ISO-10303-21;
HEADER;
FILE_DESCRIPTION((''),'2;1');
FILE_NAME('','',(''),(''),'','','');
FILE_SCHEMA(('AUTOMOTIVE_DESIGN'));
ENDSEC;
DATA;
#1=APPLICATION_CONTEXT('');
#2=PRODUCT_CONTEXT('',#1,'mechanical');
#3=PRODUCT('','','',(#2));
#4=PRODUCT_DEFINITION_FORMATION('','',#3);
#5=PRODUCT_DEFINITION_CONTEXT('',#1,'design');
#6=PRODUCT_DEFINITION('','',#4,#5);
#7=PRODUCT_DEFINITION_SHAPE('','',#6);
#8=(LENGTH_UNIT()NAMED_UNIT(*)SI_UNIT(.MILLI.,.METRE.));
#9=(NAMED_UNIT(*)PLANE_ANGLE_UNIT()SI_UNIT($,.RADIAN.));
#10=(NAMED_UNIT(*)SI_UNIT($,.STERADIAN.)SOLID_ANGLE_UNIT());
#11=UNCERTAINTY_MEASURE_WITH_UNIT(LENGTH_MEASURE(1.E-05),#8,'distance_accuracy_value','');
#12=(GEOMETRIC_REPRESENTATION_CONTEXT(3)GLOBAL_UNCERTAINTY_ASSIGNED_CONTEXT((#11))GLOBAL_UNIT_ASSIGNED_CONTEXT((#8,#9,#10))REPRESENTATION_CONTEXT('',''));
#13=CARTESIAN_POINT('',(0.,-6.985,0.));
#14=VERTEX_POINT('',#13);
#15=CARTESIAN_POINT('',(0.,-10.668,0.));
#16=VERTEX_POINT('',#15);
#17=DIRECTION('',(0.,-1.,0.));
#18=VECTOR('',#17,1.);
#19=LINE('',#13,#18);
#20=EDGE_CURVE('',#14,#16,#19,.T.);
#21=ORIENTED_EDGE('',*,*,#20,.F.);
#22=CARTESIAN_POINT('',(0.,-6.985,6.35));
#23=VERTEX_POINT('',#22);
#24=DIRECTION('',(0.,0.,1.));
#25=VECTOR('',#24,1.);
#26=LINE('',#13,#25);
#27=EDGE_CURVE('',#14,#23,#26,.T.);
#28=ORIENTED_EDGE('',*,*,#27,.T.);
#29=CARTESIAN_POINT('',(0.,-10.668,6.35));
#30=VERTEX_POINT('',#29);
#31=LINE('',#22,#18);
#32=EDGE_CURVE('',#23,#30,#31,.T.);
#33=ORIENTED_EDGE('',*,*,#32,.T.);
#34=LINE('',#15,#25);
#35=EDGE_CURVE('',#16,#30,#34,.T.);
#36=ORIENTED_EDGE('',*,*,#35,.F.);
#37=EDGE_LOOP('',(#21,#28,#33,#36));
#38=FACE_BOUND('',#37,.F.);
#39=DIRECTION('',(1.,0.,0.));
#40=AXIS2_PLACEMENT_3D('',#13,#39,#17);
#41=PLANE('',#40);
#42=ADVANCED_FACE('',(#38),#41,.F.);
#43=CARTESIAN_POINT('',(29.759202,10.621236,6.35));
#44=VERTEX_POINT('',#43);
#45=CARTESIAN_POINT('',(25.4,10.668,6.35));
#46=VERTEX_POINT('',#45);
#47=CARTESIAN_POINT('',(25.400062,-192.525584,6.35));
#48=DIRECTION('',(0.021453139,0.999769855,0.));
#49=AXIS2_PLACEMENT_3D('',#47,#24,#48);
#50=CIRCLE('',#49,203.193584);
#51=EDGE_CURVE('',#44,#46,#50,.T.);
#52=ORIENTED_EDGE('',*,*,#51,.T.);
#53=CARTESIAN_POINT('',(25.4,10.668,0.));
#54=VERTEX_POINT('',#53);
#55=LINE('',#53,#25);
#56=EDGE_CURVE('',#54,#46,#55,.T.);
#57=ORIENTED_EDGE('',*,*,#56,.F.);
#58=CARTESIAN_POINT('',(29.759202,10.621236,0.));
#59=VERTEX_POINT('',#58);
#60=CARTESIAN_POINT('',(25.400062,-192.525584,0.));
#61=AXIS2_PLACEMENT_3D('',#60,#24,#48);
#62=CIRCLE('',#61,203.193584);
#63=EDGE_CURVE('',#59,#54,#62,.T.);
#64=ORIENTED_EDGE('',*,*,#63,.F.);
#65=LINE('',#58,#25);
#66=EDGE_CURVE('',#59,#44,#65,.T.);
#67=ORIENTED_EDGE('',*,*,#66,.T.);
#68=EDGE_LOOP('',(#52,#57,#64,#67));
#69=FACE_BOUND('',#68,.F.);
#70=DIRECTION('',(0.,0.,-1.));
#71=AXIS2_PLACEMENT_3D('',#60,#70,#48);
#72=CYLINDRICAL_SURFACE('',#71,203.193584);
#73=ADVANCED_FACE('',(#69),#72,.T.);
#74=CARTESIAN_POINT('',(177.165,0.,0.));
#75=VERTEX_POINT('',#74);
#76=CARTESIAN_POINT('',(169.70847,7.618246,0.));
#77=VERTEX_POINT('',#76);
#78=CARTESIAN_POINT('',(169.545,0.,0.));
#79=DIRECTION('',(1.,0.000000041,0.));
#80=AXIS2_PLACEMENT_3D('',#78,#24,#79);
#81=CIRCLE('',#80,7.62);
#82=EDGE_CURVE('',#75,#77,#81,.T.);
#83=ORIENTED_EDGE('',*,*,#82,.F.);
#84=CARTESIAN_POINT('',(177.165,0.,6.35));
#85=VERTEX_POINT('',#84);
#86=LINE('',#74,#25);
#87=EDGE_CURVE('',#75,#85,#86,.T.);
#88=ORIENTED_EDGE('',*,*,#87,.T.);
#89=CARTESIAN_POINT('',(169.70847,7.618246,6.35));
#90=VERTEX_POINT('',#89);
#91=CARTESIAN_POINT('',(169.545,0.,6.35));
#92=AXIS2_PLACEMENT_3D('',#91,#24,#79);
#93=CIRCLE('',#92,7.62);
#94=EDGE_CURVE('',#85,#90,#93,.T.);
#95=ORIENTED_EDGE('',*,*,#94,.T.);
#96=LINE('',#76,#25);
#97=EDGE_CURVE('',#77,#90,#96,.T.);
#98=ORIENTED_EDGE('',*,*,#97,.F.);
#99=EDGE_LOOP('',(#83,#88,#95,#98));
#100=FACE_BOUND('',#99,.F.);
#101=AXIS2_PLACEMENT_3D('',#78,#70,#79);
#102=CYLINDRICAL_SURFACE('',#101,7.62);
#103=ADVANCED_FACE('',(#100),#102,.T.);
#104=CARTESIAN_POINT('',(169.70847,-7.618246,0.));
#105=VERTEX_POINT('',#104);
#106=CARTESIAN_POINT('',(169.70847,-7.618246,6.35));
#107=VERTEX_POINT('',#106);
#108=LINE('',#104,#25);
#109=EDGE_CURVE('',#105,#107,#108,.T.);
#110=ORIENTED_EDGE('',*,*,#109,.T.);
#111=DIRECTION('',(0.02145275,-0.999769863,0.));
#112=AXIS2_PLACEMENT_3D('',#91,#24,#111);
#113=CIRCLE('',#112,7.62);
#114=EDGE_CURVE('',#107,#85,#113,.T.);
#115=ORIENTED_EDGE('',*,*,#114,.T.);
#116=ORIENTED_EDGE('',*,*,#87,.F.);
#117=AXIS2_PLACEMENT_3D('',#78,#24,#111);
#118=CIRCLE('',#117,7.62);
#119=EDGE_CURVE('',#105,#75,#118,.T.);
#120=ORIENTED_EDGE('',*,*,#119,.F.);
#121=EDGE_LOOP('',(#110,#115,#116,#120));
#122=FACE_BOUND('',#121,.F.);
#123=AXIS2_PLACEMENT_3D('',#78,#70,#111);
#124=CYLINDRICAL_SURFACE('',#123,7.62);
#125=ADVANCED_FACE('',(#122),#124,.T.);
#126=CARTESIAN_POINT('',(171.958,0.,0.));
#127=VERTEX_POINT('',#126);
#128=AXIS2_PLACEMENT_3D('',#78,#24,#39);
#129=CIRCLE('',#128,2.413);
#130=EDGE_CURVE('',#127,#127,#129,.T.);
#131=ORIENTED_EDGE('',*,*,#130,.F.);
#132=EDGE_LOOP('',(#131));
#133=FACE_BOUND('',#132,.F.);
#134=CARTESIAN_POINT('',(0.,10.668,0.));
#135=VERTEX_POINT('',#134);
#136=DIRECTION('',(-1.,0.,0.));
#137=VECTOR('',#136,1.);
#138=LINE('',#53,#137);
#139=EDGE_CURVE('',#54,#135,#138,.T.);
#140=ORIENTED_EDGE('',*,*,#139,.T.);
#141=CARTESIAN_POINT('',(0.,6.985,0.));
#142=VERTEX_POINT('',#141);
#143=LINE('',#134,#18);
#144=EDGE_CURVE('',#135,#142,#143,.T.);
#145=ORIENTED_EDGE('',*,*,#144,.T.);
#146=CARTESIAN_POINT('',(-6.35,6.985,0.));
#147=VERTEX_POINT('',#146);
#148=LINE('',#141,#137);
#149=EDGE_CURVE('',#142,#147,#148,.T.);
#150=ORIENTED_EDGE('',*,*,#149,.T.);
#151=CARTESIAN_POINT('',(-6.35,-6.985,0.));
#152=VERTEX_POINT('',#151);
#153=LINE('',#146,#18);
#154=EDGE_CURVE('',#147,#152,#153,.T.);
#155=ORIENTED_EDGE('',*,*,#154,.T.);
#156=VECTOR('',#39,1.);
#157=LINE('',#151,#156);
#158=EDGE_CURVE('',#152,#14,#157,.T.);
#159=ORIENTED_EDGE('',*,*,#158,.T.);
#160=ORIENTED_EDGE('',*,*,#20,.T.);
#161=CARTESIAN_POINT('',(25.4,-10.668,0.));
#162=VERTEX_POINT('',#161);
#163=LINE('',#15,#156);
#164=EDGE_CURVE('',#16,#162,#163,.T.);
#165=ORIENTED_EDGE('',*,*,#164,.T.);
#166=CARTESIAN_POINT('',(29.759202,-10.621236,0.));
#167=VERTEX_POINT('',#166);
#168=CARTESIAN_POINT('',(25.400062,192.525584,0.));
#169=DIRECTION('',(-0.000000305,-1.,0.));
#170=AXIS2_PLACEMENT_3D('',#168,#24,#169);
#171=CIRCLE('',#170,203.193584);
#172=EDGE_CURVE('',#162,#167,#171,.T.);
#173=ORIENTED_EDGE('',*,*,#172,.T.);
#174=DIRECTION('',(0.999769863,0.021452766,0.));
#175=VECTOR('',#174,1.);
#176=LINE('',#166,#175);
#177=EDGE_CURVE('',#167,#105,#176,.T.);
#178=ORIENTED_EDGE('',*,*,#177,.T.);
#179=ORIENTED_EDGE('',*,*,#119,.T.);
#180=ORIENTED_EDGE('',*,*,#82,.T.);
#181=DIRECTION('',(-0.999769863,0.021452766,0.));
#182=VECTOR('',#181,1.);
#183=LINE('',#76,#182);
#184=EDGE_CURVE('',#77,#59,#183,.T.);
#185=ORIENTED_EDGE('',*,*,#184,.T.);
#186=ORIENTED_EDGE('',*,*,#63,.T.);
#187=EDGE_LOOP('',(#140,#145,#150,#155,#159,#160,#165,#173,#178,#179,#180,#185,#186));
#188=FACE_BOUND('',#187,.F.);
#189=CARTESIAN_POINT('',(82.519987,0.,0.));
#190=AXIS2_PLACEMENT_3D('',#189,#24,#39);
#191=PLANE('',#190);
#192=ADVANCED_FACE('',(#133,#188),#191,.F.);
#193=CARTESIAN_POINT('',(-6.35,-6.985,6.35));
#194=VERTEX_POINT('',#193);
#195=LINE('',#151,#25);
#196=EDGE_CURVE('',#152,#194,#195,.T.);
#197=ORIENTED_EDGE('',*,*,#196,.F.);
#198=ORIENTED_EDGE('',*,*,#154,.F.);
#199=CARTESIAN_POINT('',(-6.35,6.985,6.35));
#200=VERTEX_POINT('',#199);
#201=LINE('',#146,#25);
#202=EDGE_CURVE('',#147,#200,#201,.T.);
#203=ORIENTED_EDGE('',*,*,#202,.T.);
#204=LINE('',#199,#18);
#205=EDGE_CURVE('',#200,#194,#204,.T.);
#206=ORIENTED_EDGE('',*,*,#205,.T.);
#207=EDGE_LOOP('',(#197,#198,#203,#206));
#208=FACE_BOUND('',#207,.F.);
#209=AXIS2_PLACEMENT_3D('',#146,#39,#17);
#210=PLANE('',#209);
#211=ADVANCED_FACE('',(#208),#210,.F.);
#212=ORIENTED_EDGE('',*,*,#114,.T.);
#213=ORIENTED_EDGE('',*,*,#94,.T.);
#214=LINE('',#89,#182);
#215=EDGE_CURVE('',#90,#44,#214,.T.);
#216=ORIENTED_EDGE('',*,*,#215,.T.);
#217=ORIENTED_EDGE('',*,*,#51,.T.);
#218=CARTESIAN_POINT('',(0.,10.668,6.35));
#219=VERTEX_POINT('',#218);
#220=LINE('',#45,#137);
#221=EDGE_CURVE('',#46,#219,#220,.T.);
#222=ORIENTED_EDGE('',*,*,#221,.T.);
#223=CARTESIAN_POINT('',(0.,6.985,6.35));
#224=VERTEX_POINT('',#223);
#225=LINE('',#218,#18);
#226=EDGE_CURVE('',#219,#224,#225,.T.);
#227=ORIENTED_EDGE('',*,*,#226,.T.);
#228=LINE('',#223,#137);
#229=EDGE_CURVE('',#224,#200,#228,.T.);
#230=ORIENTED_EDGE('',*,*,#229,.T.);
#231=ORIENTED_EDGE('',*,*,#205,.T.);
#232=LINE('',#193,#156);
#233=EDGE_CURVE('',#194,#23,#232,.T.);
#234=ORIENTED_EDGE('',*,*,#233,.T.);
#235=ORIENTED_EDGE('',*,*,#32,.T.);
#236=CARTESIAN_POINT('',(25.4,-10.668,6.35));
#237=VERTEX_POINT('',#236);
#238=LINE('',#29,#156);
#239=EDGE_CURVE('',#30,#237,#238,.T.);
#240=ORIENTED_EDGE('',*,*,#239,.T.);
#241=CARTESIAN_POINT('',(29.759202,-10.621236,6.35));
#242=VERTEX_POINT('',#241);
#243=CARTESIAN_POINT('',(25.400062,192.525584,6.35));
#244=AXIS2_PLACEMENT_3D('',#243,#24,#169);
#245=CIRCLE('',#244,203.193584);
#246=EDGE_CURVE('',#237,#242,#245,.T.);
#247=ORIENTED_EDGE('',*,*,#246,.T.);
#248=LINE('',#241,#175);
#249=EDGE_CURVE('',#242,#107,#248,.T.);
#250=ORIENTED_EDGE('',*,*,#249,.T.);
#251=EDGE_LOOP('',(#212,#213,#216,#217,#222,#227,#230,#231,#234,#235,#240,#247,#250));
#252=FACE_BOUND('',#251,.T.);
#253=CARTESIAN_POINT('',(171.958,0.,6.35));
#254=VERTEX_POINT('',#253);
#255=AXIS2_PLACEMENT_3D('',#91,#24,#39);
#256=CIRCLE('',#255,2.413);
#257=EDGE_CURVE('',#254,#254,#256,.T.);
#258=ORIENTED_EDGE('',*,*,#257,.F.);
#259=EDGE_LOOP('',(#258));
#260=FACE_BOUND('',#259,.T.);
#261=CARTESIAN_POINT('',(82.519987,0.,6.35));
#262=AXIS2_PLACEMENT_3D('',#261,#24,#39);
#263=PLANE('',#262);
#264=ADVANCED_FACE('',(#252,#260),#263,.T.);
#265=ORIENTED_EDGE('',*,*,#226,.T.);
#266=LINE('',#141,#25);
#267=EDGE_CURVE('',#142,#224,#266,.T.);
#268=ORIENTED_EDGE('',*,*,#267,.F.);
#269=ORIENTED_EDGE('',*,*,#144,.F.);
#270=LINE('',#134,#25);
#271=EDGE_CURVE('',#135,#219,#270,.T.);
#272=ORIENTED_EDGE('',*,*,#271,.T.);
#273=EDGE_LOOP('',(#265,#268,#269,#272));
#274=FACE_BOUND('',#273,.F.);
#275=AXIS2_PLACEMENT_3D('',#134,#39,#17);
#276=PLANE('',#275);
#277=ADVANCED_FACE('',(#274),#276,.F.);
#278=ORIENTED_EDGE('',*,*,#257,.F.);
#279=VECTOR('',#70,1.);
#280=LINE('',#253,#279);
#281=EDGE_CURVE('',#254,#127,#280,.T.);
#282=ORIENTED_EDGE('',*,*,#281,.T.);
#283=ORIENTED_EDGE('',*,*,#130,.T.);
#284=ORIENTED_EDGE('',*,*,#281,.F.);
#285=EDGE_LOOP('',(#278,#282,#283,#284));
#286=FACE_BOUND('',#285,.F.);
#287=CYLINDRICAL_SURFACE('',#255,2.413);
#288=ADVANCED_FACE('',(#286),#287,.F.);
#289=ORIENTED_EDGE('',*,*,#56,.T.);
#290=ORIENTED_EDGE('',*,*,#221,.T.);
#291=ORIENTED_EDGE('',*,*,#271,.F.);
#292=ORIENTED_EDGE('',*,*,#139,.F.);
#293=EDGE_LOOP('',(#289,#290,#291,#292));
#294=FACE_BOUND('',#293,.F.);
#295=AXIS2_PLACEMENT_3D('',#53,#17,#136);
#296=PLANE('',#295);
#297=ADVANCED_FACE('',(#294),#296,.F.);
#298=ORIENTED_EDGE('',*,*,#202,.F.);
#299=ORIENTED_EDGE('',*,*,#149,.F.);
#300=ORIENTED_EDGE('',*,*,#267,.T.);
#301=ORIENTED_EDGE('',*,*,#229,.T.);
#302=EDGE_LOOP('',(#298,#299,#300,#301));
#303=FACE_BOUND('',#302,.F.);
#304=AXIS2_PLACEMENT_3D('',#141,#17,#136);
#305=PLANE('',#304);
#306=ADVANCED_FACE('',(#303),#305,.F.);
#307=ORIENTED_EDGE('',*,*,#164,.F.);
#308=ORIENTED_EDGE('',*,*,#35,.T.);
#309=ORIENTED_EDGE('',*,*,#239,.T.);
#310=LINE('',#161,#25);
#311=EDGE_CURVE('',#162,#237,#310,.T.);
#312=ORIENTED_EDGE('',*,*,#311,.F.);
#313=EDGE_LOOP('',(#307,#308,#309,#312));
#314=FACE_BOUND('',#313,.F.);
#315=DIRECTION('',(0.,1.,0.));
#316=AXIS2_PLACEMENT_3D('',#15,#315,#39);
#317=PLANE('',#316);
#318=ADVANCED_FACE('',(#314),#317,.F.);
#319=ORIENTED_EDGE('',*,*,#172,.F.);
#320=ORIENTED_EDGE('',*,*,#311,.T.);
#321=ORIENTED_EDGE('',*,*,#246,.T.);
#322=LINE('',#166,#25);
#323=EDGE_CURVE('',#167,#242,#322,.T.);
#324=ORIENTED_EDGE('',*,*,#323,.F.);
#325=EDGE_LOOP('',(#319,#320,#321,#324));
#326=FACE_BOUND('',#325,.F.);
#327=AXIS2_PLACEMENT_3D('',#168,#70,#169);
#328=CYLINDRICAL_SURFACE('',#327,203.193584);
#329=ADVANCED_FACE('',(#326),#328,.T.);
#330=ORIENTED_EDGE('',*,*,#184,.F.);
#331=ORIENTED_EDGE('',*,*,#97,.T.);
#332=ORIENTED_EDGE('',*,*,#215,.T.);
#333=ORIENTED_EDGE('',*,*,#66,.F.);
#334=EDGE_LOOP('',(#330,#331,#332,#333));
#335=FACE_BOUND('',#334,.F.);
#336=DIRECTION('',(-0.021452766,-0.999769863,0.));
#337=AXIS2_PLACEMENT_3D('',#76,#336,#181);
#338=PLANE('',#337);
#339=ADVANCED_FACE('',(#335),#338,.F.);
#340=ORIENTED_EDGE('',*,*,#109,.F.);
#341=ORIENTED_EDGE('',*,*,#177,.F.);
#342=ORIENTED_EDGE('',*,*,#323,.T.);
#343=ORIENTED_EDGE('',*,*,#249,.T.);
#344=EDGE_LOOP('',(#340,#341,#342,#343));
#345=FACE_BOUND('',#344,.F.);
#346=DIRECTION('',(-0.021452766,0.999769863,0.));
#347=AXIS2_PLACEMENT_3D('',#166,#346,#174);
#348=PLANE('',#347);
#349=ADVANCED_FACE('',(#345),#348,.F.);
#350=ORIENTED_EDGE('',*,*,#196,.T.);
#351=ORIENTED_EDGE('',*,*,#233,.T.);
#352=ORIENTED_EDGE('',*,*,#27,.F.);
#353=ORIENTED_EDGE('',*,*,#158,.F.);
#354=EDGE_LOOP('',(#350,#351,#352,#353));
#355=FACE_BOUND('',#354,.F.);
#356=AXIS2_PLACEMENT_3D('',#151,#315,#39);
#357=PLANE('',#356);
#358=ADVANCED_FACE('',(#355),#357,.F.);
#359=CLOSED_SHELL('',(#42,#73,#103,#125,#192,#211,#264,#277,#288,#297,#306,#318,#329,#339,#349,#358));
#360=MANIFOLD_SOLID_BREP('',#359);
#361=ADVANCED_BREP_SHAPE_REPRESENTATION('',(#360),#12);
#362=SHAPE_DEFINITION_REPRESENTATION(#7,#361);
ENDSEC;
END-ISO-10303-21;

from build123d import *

# Parameters (mm, degrees)
F1_DEPTH = 6.35
F2_R     = 2.413
F3_DEPTH = 6.351


with BuildPart() as f1:
    # F0 (on Top) → F1 (new body)
    with BuildSketch(Plane.XY):
        with BuildLine():
            Line((-6.35, 6.985), (-6.35, 0))
            Line((-6.35, 0), (-6.35, -6.985))
            Line((-6.35, -6.985), (0, -6.985))
            Line((0, -6.985), (0, -10.668))
            Line((0, -10.668), (25.4, -10.668))
            ThreePointArc((25.4, -10.668), (27.579726, -10.656309), (29.759202, -10.621236))
            Line((29.759202, -10.621236), (169.70847, -7.618246))
            ThreePointArc((169.70847, -7.618246), (174.990642, -5.330045), (177.165, 0))
            ThreePointArc((177.165, 0), (174.990642, 5.330045), (169.70847, 7.618246))
            Line((169.70847, 7.618246), (29.759202, 10.621236))
            ThreePointArc((29.759202, 10.621236), (27.579726, 10.656309), (25.4, 10.668))
            Line((25.4, 10.668), (0, 10.668))
            Line((0, 10.668), (0, 6.985))
            Line((0, 6.985), (-6.35, 6.985))
        make_face()
    extrude(amount=F1_DEPTH)

    # F2 (on face) → F3 (cut, through all)
    with BuildSketch(Plane.XY.offset(6.35)):
        with Locations((169.545, 0)):
            Circle(F2_R)
    extrude(amount=-F3_DEPTH, mode=Mode.SUBTRACT)


solid = f1.part
